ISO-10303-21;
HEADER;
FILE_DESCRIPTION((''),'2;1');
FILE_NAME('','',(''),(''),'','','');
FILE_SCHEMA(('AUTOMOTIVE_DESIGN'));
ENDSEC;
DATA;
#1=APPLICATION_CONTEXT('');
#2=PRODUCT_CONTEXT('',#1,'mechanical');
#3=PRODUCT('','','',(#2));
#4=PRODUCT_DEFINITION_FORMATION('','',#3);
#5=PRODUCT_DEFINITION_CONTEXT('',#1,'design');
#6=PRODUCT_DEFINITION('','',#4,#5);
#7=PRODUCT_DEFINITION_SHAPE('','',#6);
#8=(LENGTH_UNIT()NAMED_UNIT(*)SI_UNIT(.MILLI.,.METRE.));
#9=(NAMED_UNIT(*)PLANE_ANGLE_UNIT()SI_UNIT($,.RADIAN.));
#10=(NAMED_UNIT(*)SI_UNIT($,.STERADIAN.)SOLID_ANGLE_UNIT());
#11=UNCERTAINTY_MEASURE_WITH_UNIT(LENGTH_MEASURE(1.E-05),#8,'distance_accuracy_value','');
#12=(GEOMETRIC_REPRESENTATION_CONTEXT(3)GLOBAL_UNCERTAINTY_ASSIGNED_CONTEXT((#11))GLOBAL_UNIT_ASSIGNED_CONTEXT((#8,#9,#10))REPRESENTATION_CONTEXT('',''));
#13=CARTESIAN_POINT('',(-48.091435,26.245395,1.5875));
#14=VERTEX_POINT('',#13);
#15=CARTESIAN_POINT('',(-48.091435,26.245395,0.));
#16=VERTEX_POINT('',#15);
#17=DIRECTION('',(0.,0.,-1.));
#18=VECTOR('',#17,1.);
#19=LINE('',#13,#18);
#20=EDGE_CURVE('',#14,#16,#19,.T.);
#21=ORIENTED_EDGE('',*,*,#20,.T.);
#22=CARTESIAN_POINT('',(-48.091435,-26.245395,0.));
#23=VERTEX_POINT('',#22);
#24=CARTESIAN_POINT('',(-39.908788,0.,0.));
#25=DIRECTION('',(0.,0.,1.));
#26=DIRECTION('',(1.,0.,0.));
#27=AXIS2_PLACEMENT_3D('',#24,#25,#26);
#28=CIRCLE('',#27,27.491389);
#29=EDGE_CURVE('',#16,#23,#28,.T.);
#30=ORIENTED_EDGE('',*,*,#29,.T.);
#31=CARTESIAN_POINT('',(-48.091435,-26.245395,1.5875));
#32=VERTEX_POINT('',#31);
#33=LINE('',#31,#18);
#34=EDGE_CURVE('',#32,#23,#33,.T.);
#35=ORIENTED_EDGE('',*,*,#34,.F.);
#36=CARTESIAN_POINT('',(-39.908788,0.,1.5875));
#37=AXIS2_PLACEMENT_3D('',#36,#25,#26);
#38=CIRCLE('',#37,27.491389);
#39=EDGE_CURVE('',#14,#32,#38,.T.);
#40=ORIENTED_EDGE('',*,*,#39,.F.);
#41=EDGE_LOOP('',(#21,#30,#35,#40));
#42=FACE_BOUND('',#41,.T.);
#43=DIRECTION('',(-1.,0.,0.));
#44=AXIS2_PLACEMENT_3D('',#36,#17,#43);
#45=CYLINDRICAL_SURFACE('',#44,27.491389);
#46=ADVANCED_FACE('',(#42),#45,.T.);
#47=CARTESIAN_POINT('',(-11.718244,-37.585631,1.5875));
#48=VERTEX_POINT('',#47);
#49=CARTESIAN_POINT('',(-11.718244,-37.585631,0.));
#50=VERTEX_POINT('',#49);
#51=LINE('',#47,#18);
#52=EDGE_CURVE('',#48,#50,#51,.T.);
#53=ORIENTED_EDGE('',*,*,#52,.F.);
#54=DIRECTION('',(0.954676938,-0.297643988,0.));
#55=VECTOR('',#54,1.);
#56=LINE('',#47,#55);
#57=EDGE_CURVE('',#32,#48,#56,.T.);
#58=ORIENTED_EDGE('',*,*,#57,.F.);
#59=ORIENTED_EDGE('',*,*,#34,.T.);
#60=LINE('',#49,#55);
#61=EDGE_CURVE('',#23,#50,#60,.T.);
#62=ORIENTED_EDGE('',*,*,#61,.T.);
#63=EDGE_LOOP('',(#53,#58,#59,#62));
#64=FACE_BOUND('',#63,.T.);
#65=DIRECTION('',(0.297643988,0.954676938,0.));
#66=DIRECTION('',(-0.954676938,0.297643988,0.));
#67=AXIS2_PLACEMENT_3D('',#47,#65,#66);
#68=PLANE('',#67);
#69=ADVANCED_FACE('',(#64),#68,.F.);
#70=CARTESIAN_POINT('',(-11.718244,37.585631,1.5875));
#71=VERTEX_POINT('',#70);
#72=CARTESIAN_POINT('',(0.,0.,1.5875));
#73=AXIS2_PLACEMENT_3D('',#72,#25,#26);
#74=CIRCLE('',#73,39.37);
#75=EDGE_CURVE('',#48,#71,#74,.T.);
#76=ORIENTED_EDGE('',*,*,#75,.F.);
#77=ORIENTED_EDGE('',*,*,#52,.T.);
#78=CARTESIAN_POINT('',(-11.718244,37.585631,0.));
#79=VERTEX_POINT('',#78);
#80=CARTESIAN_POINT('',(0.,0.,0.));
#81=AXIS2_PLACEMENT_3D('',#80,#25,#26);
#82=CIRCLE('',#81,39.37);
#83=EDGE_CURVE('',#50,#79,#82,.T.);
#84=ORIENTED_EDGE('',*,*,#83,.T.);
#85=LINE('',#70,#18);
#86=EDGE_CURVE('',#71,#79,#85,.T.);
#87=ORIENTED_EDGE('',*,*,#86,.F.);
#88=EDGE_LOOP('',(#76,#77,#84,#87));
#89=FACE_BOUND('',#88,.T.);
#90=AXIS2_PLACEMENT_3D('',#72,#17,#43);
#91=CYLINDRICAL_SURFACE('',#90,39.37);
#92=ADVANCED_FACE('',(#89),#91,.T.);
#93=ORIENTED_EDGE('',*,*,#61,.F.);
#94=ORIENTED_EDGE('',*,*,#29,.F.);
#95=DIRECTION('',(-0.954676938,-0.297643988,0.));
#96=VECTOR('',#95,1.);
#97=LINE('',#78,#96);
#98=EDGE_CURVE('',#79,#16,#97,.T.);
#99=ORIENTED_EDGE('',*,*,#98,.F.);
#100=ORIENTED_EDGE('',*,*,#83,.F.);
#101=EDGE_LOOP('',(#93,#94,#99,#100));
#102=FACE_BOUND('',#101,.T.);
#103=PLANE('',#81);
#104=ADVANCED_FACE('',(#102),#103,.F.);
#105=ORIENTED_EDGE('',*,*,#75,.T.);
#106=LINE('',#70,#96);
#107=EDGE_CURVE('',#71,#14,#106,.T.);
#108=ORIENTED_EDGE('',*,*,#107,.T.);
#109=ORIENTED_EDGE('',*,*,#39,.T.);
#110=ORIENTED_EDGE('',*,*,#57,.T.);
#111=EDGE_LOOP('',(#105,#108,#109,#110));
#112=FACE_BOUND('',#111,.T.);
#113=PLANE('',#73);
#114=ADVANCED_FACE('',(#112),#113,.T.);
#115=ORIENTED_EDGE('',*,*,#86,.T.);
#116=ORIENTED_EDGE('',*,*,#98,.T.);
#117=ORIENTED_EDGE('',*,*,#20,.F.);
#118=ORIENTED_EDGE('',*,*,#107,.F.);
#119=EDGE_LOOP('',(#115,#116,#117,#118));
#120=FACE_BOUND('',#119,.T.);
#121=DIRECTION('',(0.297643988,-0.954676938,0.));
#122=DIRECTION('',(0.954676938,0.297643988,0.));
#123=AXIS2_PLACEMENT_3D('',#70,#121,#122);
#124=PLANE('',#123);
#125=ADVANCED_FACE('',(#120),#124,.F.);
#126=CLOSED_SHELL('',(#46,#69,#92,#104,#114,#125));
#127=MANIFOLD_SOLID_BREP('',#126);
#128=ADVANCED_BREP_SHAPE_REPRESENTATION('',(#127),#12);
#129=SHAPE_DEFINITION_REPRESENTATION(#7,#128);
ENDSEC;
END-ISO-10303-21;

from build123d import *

# Parameters (mm, degrees)
BOSS_EXTRUDE1_DEPTH = 1.5875


with BuildPart() as part:
    # Sketch1 → Boss-Extrude1 (new body)
    with BuildSketch(Plane.XY):
        with BuildLine():
            Line((-11.71824382, -37.585631055), (-48.091435163, -26.2453951))
            ThreePointArc((-48.091435163, -26.2453951), (-67.400177515, 0), (-48.091435163, 26.2453951))
            Line((-48.091435163, 26.2453951), (-11.71824382, 37.585631055))
            ThreePointArc((-11.71824382, 37.585631055), (39.37, 0), (-11.71824382, -37.585631055))
        make_face()
    extrude(amount=BOSS_EXTRUDE1_DEPTH)


solid = part.part
